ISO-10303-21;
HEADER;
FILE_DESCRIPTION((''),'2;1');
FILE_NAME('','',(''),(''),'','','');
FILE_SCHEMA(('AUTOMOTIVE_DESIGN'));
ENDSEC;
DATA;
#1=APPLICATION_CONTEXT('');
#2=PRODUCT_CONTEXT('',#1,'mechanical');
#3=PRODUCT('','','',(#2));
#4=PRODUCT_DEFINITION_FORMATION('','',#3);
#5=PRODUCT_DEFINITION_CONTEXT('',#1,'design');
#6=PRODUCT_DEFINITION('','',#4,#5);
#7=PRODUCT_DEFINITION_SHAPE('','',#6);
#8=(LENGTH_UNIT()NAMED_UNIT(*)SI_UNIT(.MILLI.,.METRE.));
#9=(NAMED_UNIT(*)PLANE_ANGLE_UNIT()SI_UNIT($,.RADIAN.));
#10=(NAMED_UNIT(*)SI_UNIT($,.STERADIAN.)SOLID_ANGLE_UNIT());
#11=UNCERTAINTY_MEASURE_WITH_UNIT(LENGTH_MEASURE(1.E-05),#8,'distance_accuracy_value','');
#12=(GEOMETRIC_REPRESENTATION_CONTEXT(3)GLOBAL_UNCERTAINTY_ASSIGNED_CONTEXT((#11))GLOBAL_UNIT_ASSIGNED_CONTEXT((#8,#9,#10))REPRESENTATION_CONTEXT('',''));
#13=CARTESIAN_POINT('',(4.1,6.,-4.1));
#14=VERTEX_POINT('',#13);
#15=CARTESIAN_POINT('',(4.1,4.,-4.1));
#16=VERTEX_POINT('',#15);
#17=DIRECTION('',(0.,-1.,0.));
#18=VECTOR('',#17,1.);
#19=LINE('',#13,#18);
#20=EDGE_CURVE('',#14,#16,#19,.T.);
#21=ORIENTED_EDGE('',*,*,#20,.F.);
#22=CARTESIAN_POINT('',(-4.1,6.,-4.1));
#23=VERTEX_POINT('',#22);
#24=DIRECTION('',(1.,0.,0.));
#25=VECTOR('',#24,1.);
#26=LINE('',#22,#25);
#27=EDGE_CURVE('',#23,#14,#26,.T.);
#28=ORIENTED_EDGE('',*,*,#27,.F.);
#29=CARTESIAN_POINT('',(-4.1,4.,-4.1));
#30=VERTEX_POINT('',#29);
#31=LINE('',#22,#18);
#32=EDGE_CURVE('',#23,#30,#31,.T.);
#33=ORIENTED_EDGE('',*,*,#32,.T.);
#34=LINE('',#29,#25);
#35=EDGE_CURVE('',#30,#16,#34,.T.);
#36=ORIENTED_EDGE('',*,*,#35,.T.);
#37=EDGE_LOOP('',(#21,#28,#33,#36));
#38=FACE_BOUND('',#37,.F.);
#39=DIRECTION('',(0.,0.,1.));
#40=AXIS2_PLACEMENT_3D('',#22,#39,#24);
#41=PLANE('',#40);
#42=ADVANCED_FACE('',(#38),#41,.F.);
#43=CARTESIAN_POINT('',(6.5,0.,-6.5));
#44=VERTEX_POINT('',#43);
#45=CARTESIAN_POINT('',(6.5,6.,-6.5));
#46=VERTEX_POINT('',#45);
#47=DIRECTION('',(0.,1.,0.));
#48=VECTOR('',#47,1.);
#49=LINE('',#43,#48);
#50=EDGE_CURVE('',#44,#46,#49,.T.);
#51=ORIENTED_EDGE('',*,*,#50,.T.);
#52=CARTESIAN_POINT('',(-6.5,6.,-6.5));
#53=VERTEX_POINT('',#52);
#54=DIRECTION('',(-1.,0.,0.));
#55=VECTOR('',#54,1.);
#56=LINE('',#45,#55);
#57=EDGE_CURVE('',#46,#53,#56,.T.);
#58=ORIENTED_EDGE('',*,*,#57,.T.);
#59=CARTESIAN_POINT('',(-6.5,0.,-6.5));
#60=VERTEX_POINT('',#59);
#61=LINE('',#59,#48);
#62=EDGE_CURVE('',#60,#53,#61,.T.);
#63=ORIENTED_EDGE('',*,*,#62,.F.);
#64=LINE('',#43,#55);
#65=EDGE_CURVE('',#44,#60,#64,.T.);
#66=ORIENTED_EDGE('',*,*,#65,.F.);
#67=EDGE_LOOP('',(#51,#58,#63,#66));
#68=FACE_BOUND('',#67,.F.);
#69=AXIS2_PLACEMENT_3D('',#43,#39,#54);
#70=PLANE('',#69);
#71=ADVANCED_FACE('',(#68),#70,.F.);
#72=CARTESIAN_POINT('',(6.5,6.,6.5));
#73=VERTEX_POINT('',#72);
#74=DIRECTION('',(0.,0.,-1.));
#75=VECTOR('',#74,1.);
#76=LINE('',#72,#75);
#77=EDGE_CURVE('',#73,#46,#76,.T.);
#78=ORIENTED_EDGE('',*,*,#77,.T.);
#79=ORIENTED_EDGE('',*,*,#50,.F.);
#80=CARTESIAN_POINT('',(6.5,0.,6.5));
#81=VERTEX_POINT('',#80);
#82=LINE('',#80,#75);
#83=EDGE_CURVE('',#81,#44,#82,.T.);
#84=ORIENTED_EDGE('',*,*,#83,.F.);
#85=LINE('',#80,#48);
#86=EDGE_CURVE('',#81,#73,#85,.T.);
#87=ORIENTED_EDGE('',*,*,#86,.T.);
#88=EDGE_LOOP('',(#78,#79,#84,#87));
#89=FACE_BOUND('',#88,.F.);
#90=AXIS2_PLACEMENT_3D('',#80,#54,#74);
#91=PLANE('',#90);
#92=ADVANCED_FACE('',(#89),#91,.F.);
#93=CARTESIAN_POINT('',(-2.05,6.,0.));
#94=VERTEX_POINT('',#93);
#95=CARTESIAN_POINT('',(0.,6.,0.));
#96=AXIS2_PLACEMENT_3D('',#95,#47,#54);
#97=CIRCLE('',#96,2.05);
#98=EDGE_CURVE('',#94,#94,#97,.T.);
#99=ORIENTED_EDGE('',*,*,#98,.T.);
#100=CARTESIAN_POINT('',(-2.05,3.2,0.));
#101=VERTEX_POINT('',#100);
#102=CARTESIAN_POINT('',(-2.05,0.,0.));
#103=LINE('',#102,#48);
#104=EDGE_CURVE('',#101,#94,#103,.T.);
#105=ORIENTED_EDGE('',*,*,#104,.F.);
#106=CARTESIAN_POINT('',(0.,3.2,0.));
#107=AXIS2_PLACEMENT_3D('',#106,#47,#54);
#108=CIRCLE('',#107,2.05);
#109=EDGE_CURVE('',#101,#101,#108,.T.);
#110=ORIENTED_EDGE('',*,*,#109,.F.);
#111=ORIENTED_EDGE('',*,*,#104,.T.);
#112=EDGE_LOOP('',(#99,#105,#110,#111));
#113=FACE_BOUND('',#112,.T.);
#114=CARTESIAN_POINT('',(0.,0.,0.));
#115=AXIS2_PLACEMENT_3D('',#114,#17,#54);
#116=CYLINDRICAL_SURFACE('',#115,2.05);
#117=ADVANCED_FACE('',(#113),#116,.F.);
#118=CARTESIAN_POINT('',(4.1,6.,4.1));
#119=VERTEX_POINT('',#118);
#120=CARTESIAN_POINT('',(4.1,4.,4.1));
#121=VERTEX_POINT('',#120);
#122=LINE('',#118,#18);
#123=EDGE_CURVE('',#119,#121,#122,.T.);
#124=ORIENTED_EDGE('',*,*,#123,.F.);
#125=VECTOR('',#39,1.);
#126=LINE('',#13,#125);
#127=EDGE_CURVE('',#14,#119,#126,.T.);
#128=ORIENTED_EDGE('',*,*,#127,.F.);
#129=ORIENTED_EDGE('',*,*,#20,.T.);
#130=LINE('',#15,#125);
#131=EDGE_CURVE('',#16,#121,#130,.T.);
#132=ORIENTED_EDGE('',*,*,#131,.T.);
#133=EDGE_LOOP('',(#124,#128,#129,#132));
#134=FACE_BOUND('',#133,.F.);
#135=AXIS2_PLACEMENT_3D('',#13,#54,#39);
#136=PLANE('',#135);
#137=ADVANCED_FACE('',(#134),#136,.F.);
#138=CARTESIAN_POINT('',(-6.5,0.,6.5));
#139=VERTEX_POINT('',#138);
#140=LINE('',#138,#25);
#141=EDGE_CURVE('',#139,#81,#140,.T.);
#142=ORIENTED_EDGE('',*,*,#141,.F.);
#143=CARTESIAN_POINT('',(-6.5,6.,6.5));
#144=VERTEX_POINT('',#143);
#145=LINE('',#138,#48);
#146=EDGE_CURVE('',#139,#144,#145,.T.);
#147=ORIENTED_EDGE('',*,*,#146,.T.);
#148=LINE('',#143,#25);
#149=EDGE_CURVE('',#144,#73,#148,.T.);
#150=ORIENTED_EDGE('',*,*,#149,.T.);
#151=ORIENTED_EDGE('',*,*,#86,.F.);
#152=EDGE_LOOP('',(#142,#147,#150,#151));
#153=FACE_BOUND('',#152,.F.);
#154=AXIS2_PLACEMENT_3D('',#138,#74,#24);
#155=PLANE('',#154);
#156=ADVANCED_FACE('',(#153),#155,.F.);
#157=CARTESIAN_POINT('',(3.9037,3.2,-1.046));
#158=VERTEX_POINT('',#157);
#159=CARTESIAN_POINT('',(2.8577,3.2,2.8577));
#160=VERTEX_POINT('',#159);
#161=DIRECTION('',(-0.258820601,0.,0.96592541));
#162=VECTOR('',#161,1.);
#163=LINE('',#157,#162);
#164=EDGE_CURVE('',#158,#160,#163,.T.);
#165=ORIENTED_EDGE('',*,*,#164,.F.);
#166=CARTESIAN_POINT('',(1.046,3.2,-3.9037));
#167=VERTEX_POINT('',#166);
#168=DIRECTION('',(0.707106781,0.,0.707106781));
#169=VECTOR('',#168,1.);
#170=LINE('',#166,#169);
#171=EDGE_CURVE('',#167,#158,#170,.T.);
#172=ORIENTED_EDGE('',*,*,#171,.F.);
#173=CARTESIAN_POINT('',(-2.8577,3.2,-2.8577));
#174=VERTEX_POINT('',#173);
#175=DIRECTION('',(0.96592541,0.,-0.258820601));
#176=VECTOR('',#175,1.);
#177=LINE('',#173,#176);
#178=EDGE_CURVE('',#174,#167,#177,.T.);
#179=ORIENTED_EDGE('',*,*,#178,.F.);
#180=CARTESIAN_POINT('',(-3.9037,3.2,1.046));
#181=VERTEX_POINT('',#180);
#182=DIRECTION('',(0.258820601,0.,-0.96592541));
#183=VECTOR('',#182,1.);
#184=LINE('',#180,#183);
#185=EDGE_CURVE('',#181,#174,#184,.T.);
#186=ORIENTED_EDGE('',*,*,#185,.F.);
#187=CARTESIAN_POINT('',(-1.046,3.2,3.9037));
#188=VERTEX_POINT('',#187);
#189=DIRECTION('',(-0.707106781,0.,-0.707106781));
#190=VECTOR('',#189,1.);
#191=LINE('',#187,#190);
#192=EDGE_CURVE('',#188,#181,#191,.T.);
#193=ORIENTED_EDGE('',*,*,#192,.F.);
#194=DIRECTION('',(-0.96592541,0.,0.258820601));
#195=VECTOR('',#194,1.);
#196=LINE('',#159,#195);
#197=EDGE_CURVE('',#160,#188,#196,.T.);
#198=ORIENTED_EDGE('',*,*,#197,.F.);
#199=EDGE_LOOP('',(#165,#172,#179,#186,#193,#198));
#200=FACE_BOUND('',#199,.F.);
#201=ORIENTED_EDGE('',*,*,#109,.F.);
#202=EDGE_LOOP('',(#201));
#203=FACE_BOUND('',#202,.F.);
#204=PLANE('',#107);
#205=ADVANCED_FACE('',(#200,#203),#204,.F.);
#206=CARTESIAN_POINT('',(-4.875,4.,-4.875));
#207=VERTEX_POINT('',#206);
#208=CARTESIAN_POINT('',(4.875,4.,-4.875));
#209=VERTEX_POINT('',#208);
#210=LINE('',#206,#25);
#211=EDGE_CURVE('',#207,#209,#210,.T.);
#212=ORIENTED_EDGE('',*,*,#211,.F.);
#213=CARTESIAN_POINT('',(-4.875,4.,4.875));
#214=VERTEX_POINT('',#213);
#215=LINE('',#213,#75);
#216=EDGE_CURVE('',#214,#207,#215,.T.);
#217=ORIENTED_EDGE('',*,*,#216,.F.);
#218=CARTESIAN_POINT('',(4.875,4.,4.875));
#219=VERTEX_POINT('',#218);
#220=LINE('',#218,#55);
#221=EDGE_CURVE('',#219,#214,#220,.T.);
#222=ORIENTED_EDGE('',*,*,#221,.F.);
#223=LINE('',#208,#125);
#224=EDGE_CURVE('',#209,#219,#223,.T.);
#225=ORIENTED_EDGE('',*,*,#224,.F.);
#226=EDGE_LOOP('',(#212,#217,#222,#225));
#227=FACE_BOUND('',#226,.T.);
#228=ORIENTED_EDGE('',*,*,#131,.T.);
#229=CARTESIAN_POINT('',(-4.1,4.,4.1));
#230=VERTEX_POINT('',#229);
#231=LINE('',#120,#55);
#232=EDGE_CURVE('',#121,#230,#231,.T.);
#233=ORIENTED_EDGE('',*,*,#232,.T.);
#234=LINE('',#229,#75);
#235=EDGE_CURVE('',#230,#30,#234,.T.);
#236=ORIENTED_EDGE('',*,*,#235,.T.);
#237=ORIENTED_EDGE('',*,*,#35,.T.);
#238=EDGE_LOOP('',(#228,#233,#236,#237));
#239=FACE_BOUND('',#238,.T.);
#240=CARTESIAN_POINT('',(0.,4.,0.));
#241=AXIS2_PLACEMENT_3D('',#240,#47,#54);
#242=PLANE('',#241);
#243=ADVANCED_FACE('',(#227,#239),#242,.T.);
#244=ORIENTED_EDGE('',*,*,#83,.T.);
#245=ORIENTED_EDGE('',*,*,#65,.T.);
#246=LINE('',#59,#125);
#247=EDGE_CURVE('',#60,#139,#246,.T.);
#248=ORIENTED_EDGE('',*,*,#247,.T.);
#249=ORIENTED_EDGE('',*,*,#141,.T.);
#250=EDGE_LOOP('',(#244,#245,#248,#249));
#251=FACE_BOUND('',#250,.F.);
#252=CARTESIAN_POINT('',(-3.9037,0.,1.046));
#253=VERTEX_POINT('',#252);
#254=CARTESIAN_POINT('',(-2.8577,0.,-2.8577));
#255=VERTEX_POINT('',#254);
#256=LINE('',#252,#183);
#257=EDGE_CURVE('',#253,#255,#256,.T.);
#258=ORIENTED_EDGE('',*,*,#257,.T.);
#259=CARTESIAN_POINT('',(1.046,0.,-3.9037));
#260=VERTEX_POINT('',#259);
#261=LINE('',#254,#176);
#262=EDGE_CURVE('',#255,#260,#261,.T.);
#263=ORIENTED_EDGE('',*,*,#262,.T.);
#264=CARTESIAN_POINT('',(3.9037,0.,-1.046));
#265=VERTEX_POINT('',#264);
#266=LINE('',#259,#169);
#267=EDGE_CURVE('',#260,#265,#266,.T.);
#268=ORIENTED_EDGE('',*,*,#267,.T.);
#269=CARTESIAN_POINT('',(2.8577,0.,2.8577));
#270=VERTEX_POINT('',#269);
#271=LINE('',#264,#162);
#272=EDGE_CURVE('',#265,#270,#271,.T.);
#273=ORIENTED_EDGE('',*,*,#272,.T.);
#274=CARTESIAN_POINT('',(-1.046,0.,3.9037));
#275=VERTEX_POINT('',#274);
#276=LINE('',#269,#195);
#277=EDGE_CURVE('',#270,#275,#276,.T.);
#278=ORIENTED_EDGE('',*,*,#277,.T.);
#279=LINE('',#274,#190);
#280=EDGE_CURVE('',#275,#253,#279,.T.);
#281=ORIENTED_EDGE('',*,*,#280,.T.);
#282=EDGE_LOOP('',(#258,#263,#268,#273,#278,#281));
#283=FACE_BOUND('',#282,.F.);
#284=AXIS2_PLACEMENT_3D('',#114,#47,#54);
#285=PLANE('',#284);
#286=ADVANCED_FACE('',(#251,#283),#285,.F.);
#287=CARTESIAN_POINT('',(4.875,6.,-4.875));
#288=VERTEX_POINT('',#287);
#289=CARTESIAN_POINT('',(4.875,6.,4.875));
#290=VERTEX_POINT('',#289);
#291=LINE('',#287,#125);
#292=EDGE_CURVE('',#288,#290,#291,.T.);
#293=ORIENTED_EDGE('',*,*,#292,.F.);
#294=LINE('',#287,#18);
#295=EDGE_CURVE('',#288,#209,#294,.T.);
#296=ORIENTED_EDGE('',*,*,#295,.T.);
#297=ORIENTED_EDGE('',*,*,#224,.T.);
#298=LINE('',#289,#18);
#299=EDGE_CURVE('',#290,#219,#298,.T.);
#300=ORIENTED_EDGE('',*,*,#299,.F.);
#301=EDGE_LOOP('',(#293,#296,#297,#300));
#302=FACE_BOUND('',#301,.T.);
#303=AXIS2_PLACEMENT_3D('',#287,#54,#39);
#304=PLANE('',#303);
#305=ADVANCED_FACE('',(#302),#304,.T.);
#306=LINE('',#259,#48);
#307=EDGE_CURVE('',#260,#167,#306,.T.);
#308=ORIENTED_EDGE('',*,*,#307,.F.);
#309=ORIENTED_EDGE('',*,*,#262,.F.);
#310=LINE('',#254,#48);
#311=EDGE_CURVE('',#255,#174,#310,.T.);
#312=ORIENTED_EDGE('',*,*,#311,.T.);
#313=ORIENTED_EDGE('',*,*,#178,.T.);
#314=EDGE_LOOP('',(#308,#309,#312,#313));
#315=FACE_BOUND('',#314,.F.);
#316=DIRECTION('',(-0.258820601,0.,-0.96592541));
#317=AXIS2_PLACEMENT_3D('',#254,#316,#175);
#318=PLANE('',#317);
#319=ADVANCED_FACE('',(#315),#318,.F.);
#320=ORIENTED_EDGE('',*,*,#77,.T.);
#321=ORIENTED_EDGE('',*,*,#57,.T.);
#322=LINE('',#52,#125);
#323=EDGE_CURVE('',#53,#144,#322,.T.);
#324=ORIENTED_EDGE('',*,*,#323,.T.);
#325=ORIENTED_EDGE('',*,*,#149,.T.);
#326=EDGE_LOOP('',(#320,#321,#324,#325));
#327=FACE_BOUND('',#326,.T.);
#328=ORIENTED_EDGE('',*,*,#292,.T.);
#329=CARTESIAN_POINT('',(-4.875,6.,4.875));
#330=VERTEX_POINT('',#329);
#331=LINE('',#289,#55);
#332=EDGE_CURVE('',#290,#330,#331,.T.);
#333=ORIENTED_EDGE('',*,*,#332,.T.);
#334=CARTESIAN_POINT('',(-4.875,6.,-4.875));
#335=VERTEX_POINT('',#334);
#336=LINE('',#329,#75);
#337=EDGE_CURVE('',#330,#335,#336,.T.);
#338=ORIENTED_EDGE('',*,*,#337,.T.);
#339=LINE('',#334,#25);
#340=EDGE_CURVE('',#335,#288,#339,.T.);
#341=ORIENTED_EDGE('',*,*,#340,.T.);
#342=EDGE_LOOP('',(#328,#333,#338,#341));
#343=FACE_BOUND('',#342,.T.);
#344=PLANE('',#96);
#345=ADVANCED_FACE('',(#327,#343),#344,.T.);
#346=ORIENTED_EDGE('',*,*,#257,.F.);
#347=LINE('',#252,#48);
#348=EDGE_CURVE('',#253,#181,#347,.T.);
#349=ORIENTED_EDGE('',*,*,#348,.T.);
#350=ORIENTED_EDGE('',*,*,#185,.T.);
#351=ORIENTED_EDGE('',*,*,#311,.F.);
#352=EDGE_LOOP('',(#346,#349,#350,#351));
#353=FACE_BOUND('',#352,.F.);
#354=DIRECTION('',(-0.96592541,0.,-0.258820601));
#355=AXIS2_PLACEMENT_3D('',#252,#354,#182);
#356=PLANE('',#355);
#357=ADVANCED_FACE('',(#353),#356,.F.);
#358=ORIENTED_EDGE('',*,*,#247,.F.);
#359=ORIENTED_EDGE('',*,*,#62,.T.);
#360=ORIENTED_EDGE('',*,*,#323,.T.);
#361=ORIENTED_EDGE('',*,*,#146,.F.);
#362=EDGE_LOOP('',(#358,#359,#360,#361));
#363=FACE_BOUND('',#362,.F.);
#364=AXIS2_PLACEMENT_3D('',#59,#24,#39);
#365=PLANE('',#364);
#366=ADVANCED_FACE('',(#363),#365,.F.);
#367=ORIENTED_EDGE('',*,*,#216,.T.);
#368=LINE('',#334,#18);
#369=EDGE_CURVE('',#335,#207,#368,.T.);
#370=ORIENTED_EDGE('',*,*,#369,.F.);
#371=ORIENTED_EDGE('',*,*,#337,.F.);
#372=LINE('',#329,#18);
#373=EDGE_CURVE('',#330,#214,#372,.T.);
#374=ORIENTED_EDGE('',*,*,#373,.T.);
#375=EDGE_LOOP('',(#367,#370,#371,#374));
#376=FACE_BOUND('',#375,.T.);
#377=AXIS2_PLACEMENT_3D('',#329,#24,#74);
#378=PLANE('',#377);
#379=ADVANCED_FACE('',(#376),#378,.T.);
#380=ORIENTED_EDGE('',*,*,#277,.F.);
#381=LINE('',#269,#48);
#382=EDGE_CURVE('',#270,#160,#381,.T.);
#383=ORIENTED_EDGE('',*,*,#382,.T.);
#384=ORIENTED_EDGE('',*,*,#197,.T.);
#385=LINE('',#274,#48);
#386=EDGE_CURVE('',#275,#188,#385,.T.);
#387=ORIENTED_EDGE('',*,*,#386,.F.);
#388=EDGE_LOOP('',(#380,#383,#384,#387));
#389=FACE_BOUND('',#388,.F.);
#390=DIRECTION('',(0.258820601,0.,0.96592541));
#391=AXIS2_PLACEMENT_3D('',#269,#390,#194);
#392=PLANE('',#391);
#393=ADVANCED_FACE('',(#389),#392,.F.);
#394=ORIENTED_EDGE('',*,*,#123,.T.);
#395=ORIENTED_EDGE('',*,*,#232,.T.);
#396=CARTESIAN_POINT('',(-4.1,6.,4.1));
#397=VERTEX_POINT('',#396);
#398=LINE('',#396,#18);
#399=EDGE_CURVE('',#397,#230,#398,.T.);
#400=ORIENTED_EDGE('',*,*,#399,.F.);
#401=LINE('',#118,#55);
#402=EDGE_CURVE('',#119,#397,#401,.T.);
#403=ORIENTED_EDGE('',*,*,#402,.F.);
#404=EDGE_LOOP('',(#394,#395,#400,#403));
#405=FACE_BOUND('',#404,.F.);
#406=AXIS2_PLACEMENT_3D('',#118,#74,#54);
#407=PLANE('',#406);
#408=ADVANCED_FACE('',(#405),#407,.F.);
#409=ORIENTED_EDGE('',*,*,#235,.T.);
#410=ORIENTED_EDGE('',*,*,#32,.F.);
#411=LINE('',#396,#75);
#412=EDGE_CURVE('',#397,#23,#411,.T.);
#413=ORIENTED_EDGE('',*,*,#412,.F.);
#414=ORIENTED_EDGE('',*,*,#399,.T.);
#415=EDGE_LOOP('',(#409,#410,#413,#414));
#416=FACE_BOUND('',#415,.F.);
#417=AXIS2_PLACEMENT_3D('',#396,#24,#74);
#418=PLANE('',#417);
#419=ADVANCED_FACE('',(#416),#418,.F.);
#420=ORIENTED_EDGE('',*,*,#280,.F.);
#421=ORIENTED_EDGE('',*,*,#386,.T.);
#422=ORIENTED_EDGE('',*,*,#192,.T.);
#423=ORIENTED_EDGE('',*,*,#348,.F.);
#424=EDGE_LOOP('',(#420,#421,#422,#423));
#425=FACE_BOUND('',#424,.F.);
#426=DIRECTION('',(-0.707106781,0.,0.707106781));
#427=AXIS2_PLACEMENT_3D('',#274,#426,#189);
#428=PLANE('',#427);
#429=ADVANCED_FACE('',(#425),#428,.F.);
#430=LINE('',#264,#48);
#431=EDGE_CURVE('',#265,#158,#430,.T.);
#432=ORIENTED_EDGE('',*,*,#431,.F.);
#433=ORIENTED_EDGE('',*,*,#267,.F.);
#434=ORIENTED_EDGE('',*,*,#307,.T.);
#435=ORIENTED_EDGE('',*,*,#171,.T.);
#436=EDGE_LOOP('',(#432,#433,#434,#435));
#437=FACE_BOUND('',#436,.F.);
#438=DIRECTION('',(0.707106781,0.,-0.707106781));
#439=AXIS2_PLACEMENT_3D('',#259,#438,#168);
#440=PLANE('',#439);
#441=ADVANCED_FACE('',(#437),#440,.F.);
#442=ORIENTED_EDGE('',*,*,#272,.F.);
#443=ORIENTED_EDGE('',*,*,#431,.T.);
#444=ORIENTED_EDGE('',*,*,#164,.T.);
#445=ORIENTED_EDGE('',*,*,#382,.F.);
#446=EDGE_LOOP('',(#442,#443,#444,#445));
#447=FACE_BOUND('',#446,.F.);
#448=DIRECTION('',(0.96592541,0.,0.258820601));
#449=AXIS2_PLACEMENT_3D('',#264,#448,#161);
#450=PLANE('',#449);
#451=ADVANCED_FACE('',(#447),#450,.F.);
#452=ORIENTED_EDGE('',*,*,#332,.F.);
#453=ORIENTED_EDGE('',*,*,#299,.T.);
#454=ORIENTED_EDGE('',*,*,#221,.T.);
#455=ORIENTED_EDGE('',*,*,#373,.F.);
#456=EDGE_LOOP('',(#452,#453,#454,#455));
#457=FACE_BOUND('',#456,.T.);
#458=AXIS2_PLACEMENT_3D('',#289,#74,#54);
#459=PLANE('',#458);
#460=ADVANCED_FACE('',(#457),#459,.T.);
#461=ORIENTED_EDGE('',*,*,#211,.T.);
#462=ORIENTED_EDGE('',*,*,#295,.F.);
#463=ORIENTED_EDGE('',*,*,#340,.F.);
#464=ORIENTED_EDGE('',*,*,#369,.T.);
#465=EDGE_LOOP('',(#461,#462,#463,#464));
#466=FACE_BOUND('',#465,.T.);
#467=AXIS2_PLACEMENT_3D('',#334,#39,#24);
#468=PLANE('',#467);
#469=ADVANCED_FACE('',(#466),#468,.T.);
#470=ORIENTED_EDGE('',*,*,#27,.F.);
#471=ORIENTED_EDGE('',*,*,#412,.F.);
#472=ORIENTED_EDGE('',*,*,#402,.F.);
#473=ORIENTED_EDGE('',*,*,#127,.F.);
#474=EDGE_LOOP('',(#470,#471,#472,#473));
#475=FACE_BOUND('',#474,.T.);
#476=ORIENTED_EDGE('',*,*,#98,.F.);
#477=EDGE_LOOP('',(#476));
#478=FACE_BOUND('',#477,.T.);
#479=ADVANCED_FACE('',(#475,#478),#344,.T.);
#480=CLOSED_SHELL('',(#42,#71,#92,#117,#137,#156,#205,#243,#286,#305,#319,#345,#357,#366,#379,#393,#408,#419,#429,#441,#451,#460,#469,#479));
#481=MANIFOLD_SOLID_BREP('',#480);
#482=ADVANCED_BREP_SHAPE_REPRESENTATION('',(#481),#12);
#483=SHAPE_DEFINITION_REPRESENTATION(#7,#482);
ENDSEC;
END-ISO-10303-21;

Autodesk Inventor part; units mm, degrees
ref_plane "YZ Plane" through (0, 0, 0) normal (1, 0, 0) x (0, 1, 0)
ref_plane "XY Plane" through (0, 0, 0) normal (0, 0, 1) x (1, 0, 0)
ref_plane "作業平面2" through (0, 6, 0) normal (0, 1, 0) x (-1, 0, 0)
sketch "スケッチ3" plane through (0, 6, 0) normal (0, 1, 0) x (-1, 0, 0)
  line L0 (4.1, -4.1) -> (-4.1, -4.1)
  line L1 (-4.1, -4.1) -> (-4.1, 4.1)
  line L2 (-4.1, 4.1) -> (4.1, 4.1)
  line L3 (4.1, 4.1) -> (4.1, -4.1)
  line L4 (4.1, -4.1) -> (-4.1, 4.1) construction
  line L5 (-4.1, -4.1) -> (4.1, 4.1) construction
  line L6 (4.875, -4.875) -> (-4.875, -4.875)
  line L7 (-4.875, -4.875) -> (-4.875, 4.875)
  line L8 (-4.875, 4.875) -> (4.875, 4.875)
  line L9 (4.875, 4.875) -> (4.875, -4.875)
  line L10 (4.875, -4.875) -> (-4.875, 4.875) construction
  line L11 (-4.875, -4.875) -> (4.875, 4.875) construction
  point P0 (0, 0)
  point P1 (0, 0)
  dimension "d19" = 8.2
  dimension "d20" = 8.2
  dimension "d21" = 9.75
  dimension "d22" = 9.75
sketch "スケッチ1" plane through (0, 0, 0) normal (0, 1, 0) x (-1, 0, 0)
  line L0 (6.5, -6.5) -> (-6.5, 6.5) construction
  line L1 (-6.5, -6.5) -> (6.5, 6.5) construction
  line L2 (1.046, 3.9037) -> (3.9037, 1.046)
  line L3 (3.9037, 1.046) -> (2.8577, -2.8577)
  line L4 (2.8577, -2.8577) -> (-1.046, -3.9037)
  line L5 (-1.046, -3.9037) -> (-3.9037, -1.046)
  line L6 (-3.9037, -1.046) -> (-2.8577, 2.8577)
  line L7 (-2.8577, 2.8577) -> (1.046, 3.9037)
  line L8 (-6.5, -6.5) -> (6.5, -6.5)
  line L9 (6.5, -6.5) -> (6.5, 6.5)
  line L10 (6.5, 6.5) -> (-6.5, 6.5)
  line L11 (-6.5, 6.5) -> (-6.5, -6.5)
  line L12 (-6.5, -6.5) -> (6.5, 6.5) construction
  line L13 (6.5, -6.5) -> (-6.5, 6.5) construction
  circle A0 centre (0, 0) radius 2.05
  dimension "d33" = 7
  dimension "d34" = 13
  dimension "d35" = 13
  dimension "d36" = 4.1
extrude "押し出し8" add sketch "スケッチ1" along normal blind 6 contours L2 L3 L4 L5 L6 L7 | L11 L10 L9 L8 | A0
extrude "押し出し9" cut sketch "スケッチ3" against normal blind 2
extrude "押し出し10" cut sketch "スケッチ1" along normal blind 3.2 contours L2 L3 L4 L5 L6 L7
extrude "押し出し11" cut sketch "スケッチ1" along normal blind 6 contours A0
properties part number "pin_joint_plastic_ver1"
